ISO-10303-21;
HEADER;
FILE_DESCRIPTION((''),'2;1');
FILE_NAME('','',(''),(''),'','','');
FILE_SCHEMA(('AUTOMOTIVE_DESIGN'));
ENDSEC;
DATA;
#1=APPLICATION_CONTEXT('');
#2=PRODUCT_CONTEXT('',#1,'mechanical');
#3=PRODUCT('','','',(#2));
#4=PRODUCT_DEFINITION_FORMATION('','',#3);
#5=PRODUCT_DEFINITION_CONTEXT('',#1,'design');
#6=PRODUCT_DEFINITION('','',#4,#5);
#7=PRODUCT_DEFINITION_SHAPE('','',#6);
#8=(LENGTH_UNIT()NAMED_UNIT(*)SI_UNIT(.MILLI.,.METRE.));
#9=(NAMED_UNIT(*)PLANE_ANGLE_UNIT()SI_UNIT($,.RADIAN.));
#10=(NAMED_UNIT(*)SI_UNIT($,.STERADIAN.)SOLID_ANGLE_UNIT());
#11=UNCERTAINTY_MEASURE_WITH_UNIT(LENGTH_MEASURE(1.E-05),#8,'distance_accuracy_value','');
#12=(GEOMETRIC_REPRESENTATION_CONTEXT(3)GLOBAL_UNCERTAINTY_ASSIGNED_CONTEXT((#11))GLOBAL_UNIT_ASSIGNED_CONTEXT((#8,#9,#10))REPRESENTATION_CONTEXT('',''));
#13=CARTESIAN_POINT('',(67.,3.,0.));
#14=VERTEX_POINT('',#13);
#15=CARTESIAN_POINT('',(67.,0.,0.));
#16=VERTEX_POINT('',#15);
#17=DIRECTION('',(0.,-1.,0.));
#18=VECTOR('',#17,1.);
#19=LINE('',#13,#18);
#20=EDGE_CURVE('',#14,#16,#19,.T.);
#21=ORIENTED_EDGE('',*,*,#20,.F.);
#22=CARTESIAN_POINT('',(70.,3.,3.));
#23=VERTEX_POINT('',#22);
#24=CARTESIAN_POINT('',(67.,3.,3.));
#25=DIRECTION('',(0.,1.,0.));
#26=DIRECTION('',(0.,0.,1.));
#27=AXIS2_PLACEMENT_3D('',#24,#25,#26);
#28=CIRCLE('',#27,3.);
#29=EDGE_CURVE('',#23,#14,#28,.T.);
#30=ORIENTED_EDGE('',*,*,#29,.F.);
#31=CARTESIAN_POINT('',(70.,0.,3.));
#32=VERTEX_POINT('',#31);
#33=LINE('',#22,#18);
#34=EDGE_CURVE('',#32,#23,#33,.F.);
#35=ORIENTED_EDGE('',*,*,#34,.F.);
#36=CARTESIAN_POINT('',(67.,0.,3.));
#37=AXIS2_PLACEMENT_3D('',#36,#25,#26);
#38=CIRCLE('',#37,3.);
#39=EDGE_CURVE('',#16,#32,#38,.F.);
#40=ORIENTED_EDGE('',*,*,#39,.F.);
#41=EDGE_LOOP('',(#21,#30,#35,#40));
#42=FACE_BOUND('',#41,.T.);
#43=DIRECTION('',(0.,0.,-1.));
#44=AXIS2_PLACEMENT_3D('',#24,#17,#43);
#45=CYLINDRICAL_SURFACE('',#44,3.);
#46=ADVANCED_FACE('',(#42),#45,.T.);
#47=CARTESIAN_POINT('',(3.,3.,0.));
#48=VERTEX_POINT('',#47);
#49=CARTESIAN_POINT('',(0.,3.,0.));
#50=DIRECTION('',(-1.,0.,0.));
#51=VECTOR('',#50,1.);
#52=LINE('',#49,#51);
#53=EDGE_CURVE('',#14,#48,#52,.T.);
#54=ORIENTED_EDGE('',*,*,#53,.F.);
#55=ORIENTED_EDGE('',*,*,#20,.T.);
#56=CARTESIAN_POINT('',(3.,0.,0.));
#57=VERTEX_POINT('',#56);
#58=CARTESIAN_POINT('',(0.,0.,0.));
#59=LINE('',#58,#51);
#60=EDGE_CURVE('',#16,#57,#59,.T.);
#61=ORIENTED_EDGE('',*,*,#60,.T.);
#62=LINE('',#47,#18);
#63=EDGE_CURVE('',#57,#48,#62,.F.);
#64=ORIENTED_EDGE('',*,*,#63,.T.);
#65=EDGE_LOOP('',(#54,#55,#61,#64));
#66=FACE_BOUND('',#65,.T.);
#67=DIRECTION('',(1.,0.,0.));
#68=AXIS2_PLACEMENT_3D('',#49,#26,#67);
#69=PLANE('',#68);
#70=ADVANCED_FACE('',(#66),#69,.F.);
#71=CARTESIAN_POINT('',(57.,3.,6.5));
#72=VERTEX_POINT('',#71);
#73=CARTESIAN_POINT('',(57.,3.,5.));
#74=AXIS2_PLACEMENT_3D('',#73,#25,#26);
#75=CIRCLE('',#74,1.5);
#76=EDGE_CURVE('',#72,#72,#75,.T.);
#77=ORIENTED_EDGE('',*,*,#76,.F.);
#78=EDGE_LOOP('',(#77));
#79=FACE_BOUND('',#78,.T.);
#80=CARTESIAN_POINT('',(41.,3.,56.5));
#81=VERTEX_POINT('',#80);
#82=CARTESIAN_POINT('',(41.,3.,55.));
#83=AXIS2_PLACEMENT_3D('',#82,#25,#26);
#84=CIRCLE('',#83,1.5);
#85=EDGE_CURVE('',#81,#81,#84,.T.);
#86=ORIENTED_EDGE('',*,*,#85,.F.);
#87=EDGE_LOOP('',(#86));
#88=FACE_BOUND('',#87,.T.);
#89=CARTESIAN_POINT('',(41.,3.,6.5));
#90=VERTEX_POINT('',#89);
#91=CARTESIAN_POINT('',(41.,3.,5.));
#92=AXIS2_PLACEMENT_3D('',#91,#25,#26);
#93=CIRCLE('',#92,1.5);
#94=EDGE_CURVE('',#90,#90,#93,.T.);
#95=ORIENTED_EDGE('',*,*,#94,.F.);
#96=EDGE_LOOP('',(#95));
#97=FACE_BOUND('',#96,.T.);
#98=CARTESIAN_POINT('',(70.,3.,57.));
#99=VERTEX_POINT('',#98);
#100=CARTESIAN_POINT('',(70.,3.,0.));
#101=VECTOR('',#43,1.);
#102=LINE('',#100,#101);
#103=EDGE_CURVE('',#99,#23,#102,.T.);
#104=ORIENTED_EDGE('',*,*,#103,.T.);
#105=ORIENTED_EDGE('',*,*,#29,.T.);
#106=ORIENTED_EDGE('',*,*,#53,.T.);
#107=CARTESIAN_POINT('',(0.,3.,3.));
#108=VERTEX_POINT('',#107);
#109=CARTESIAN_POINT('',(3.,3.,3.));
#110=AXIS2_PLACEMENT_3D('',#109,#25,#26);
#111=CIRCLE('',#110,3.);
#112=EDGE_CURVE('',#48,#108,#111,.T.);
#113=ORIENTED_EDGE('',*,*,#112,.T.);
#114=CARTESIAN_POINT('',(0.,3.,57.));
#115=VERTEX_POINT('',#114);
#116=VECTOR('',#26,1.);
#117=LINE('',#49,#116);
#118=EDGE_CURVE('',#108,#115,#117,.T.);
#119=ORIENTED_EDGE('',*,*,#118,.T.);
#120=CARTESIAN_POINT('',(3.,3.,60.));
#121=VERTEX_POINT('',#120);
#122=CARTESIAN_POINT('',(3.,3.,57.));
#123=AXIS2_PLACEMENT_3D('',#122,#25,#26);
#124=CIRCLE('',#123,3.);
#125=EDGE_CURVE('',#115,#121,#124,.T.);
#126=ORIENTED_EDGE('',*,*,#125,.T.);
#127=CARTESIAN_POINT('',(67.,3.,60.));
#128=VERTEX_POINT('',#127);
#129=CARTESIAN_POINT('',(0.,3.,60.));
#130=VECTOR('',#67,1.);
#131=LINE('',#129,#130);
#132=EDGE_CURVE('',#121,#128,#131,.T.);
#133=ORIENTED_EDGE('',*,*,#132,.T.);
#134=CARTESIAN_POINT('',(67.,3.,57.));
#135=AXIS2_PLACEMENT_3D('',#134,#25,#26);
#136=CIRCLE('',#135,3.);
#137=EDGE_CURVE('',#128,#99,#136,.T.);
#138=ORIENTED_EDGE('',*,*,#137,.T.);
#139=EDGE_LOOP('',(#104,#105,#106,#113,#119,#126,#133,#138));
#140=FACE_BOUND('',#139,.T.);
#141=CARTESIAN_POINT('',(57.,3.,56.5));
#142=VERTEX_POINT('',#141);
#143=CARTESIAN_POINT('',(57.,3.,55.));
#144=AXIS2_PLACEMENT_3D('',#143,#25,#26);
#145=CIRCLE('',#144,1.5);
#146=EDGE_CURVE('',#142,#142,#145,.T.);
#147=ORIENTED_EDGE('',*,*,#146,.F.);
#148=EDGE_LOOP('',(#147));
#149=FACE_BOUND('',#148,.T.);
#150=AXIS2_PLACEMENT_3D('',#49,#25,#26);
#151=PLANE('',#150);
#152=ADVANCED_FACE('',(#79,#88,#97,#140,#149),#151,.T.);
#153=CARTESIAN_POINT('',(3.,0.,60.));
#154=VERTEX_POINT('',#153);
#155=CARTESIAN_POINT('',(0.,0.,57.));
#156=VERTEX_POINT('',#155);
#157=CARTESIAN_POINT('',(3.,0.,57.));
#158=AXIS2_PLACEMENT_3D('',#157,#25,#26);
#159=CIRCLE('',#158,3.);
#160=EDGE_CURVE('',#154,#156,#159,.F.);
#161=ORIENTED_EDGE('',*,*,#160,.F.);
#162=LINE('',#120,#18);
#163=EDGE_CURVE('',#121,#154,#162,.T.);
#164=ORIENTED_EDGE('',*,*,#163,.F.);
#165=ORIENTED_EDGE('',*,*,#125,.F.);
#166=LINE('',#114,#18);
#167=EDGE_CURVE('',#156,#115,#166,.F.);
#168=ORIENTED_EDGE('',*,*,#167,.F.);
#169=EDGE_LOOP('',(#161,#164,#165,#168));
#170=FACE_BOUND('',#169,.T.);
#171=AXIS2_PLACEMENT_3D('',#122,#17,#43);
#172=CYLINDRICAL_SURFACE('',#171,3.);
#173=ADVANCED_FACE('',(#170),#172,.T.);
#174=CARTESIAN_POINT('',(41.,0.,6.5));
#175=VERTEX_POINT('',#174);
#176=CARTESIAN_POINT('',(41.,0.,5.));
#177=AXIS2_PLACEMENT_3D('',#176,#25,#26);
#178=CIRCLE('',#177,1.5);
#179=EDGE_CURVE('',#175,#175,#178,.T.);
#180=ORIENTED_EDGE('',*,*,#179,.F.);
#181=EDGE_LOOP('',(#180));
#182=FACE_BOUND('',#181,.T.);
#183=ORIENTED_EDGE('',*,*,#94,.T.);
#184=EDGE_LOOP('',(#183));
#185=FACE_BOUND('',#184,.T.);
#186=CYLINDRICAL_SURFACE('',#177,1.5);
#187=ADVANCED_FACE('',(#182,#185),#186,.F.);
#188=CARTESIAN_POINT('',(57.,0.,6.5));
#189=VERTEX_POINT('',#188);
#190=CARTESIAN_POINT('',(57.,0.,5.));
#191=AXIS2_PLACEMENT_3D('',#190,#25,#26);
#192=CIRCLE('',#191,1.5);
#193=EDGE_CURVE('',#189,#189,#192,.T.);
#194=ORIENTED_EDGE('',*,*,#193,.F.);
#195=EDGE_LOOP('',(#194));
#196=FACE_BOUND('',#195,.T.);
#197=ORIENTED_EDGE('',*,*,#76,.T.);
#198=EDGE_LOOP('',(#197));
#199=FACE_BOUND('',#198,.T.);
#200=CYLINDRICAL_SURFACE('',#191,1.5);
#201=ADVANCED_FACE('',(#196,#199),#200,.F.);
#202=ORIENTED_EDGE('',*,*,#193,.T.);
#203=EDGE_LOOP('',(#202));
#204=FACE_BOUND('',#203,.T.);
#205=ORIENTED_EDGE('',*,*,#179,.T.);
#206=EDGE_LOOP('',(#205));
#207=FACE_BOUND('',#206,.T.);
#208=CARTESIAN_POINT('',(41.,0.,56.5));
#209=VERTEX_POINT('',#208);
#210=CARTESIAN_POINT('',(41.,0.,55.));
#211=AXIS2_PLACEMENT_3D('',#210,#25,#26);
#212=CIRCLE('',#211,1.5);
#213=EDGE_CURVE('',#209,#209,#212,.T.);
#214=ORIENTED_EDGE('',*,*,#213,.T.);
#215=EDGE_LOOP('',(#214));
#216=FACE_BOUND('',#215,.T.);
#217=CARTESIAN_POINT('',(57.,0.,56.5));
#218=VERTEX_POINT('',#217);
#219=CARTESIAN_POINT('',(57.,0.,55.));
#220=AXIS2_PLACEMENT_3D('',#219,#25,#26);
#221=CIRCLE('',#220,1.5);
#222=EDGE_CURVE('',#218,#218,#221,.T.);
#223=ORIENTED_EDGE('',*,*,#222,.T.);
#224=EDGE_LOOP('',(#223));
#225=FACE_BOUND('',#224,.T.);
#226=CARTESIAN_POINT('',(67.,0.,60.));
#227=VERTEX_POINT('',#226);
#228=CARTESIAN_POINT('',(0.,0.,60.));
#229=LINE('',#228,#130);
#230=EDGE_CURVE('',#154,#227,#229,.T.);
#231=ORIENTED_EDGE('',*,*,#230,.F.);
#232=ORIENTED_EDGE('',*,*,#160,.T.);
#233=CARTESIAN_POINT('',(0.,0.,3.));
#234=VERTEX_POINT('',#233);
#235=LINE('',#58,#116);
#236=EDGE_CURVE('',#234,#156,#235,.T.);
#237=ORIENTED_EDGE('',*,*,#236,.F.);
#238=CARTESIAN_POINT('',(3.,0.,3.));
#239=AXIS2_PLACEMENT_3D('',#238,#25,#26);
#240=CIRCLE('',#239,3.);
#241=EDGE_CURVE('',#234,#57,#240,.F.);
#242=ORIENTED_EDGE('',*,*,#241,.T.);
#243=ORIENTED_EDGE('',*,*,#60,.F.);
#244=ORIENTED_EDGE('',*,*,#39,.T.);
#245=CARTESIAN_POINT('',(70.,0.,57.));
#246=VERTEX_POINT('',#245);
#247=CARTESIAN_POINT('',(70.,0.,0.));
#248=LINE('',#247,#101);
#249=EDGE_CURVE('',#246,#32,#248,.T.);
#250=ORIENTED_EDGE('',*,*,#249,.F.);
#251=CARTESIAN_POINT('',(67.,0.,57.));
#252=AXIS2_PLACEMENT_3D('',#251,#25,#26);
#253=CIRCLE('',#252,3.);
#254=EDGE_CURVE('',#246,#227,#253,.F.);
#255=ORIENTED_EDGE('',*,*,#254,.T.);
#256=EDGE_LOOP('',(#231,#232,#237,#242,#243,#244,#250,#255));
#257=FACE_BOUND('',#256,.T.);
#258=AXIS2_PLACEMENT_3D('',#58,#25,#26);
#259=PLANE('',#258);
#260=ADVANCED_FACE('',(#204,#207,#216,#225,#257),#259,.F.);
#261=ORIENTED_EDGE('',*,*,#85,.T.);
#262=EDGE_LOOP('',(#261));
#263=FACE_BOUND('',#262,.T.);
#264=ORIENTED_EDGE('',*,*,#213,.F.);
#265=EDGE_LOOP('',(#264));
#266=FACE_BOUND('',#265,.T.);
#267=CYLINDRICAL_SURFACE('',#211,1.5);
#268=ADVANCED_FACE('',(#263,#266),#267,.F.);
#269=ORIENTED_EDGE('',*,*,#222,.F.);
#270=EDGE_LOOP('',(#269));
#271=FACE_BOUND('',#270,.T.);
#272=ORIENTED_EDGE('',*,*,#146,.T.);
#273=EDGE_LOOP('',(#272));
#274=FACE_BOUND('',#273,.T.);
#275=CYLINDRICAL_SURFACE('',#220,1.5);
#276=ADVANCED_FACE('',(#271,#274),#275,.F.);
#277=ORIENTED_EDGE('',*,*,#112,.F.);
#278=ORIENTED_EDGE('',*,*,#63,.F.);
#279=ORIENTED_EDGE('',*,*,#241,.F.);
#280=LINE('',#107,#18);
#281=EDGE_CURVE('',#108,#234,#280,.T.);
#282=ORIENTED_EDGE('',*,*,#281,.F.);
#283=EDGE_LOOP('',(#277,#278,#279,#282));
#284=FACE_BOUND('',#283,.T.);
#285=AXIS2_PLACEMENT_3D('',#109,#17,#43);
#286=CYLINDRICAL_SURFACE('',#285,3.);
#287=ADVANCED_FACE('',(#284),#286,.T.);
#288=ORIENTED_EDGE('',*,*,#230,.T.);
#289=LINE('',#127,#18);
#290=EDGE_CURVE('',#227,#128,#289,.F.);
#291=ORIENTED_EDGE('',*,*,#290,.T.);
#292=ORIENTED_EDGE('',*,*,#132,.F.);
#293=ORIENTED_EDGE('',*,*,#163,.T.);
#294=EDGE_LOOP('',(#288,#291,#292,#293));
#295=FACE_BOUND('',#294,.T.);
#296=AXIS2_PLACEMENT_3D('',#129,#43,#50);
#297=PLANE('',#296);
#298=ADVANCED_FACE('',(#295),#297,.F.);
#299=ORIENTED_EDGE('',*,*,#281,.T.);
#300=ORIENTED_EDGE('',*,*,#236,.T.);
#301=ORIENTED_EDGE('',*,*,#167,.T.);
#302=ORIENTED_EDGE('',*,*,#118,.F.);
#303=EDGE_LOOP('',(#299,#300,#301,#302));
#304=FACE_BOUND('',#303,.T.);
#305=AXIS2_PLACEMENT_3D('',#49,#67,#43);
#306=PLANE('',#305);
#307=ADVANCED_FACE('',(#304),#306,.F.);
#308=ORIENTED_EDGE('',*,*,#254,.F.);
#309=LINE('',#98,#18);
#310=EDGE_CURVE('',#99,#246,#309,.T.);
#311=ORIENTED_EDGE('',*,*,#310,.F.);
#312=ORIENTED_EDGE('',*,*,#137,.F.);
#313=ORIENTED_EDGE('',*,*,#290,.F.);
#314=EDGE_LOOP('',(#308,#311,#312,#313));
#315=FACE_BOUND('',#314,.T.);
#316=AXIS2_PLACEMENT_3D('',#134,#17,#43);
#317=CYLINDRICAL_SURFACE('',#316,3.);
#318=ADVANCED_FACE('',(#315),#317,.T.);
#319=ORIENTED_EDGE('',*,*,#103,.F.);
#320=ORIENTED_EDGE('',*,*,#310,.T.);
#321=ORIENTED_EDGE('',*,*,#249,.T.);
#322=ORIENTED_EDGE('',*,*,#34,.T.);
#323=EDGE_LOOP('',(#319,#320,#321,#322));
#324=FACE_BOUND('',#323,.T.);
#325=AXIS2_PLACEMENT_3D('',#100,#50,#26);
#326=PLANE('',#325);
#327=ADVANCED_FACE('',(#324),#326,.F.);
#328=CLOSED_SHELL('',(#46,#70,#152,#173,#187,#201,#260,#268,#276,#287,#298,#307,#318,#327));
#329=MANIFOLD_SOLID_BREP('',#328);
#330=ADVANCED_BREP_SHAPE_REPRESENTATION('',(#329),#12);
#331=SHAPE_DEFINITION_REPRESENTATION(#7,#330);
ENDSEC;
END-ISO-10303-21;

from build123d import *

# Parameters (mm, degrees)
SKETCH_1_W          = 70
SKETCH_1_H          = 60
EXTRUDE_1_DEPTH     = 3
SKETCH_2_R          = 1.5
CUT_EXTRUDE_1_DEPTH = 93.244241013
FILLET_1_R          = 3


with BuildPart() as part:
    # 草图1 → 凸台-拉伸1 (new body)
    with BuildSketch(Plane(origin=(0, 0, 0), x_dir=(1, 0, 0), z_dir=(0, 1, 0))):
        with Locations((35, -30)):
            Rectangle(SKETCH_1_W, SKETCH_1_H)
    extrude(amount=EXTRUDE_1_DEPTH)

    # 草图2 → 切除-拉伸1 (cut, through all)
    with BuildSketch(Plane(origin=(0, 3, 0), x_dir=(1, 0, 0), z_dir=(0, 1, 0))):
        with Locations(Location((57, -5, 0), (0, 0, 270))):
            Circle(SKETCH_2_R)
        with Locations(Location((41, -5, 0), (0, 0, 270))):
            Circle(SKETCH_2_R)
        with Locations(Location((57, -55, 0), (0, 0, 270))):
            Circle(SKETCH_2_R)
        with Locations(Location((41, -55, 0), (0, 0, 270))):
            Circle(SKETCH_2_R)
    extrude(amount=-CUT_EXTRUDE_1_DEPTH, mode=Mode.SUBTRACT)

    # 圆角1
    fillet_1_edges = [part.edges().sort_by_distance(p)[0] for p in [
        (0, 1.5, 0),
        (70, 1.5, 0),
        (70, 1.5, 60),
        (0, 1.5, 60),
    ]]
    fillet(fillet_1_edges, radius=FILLET_1_R)


solid = part.part
